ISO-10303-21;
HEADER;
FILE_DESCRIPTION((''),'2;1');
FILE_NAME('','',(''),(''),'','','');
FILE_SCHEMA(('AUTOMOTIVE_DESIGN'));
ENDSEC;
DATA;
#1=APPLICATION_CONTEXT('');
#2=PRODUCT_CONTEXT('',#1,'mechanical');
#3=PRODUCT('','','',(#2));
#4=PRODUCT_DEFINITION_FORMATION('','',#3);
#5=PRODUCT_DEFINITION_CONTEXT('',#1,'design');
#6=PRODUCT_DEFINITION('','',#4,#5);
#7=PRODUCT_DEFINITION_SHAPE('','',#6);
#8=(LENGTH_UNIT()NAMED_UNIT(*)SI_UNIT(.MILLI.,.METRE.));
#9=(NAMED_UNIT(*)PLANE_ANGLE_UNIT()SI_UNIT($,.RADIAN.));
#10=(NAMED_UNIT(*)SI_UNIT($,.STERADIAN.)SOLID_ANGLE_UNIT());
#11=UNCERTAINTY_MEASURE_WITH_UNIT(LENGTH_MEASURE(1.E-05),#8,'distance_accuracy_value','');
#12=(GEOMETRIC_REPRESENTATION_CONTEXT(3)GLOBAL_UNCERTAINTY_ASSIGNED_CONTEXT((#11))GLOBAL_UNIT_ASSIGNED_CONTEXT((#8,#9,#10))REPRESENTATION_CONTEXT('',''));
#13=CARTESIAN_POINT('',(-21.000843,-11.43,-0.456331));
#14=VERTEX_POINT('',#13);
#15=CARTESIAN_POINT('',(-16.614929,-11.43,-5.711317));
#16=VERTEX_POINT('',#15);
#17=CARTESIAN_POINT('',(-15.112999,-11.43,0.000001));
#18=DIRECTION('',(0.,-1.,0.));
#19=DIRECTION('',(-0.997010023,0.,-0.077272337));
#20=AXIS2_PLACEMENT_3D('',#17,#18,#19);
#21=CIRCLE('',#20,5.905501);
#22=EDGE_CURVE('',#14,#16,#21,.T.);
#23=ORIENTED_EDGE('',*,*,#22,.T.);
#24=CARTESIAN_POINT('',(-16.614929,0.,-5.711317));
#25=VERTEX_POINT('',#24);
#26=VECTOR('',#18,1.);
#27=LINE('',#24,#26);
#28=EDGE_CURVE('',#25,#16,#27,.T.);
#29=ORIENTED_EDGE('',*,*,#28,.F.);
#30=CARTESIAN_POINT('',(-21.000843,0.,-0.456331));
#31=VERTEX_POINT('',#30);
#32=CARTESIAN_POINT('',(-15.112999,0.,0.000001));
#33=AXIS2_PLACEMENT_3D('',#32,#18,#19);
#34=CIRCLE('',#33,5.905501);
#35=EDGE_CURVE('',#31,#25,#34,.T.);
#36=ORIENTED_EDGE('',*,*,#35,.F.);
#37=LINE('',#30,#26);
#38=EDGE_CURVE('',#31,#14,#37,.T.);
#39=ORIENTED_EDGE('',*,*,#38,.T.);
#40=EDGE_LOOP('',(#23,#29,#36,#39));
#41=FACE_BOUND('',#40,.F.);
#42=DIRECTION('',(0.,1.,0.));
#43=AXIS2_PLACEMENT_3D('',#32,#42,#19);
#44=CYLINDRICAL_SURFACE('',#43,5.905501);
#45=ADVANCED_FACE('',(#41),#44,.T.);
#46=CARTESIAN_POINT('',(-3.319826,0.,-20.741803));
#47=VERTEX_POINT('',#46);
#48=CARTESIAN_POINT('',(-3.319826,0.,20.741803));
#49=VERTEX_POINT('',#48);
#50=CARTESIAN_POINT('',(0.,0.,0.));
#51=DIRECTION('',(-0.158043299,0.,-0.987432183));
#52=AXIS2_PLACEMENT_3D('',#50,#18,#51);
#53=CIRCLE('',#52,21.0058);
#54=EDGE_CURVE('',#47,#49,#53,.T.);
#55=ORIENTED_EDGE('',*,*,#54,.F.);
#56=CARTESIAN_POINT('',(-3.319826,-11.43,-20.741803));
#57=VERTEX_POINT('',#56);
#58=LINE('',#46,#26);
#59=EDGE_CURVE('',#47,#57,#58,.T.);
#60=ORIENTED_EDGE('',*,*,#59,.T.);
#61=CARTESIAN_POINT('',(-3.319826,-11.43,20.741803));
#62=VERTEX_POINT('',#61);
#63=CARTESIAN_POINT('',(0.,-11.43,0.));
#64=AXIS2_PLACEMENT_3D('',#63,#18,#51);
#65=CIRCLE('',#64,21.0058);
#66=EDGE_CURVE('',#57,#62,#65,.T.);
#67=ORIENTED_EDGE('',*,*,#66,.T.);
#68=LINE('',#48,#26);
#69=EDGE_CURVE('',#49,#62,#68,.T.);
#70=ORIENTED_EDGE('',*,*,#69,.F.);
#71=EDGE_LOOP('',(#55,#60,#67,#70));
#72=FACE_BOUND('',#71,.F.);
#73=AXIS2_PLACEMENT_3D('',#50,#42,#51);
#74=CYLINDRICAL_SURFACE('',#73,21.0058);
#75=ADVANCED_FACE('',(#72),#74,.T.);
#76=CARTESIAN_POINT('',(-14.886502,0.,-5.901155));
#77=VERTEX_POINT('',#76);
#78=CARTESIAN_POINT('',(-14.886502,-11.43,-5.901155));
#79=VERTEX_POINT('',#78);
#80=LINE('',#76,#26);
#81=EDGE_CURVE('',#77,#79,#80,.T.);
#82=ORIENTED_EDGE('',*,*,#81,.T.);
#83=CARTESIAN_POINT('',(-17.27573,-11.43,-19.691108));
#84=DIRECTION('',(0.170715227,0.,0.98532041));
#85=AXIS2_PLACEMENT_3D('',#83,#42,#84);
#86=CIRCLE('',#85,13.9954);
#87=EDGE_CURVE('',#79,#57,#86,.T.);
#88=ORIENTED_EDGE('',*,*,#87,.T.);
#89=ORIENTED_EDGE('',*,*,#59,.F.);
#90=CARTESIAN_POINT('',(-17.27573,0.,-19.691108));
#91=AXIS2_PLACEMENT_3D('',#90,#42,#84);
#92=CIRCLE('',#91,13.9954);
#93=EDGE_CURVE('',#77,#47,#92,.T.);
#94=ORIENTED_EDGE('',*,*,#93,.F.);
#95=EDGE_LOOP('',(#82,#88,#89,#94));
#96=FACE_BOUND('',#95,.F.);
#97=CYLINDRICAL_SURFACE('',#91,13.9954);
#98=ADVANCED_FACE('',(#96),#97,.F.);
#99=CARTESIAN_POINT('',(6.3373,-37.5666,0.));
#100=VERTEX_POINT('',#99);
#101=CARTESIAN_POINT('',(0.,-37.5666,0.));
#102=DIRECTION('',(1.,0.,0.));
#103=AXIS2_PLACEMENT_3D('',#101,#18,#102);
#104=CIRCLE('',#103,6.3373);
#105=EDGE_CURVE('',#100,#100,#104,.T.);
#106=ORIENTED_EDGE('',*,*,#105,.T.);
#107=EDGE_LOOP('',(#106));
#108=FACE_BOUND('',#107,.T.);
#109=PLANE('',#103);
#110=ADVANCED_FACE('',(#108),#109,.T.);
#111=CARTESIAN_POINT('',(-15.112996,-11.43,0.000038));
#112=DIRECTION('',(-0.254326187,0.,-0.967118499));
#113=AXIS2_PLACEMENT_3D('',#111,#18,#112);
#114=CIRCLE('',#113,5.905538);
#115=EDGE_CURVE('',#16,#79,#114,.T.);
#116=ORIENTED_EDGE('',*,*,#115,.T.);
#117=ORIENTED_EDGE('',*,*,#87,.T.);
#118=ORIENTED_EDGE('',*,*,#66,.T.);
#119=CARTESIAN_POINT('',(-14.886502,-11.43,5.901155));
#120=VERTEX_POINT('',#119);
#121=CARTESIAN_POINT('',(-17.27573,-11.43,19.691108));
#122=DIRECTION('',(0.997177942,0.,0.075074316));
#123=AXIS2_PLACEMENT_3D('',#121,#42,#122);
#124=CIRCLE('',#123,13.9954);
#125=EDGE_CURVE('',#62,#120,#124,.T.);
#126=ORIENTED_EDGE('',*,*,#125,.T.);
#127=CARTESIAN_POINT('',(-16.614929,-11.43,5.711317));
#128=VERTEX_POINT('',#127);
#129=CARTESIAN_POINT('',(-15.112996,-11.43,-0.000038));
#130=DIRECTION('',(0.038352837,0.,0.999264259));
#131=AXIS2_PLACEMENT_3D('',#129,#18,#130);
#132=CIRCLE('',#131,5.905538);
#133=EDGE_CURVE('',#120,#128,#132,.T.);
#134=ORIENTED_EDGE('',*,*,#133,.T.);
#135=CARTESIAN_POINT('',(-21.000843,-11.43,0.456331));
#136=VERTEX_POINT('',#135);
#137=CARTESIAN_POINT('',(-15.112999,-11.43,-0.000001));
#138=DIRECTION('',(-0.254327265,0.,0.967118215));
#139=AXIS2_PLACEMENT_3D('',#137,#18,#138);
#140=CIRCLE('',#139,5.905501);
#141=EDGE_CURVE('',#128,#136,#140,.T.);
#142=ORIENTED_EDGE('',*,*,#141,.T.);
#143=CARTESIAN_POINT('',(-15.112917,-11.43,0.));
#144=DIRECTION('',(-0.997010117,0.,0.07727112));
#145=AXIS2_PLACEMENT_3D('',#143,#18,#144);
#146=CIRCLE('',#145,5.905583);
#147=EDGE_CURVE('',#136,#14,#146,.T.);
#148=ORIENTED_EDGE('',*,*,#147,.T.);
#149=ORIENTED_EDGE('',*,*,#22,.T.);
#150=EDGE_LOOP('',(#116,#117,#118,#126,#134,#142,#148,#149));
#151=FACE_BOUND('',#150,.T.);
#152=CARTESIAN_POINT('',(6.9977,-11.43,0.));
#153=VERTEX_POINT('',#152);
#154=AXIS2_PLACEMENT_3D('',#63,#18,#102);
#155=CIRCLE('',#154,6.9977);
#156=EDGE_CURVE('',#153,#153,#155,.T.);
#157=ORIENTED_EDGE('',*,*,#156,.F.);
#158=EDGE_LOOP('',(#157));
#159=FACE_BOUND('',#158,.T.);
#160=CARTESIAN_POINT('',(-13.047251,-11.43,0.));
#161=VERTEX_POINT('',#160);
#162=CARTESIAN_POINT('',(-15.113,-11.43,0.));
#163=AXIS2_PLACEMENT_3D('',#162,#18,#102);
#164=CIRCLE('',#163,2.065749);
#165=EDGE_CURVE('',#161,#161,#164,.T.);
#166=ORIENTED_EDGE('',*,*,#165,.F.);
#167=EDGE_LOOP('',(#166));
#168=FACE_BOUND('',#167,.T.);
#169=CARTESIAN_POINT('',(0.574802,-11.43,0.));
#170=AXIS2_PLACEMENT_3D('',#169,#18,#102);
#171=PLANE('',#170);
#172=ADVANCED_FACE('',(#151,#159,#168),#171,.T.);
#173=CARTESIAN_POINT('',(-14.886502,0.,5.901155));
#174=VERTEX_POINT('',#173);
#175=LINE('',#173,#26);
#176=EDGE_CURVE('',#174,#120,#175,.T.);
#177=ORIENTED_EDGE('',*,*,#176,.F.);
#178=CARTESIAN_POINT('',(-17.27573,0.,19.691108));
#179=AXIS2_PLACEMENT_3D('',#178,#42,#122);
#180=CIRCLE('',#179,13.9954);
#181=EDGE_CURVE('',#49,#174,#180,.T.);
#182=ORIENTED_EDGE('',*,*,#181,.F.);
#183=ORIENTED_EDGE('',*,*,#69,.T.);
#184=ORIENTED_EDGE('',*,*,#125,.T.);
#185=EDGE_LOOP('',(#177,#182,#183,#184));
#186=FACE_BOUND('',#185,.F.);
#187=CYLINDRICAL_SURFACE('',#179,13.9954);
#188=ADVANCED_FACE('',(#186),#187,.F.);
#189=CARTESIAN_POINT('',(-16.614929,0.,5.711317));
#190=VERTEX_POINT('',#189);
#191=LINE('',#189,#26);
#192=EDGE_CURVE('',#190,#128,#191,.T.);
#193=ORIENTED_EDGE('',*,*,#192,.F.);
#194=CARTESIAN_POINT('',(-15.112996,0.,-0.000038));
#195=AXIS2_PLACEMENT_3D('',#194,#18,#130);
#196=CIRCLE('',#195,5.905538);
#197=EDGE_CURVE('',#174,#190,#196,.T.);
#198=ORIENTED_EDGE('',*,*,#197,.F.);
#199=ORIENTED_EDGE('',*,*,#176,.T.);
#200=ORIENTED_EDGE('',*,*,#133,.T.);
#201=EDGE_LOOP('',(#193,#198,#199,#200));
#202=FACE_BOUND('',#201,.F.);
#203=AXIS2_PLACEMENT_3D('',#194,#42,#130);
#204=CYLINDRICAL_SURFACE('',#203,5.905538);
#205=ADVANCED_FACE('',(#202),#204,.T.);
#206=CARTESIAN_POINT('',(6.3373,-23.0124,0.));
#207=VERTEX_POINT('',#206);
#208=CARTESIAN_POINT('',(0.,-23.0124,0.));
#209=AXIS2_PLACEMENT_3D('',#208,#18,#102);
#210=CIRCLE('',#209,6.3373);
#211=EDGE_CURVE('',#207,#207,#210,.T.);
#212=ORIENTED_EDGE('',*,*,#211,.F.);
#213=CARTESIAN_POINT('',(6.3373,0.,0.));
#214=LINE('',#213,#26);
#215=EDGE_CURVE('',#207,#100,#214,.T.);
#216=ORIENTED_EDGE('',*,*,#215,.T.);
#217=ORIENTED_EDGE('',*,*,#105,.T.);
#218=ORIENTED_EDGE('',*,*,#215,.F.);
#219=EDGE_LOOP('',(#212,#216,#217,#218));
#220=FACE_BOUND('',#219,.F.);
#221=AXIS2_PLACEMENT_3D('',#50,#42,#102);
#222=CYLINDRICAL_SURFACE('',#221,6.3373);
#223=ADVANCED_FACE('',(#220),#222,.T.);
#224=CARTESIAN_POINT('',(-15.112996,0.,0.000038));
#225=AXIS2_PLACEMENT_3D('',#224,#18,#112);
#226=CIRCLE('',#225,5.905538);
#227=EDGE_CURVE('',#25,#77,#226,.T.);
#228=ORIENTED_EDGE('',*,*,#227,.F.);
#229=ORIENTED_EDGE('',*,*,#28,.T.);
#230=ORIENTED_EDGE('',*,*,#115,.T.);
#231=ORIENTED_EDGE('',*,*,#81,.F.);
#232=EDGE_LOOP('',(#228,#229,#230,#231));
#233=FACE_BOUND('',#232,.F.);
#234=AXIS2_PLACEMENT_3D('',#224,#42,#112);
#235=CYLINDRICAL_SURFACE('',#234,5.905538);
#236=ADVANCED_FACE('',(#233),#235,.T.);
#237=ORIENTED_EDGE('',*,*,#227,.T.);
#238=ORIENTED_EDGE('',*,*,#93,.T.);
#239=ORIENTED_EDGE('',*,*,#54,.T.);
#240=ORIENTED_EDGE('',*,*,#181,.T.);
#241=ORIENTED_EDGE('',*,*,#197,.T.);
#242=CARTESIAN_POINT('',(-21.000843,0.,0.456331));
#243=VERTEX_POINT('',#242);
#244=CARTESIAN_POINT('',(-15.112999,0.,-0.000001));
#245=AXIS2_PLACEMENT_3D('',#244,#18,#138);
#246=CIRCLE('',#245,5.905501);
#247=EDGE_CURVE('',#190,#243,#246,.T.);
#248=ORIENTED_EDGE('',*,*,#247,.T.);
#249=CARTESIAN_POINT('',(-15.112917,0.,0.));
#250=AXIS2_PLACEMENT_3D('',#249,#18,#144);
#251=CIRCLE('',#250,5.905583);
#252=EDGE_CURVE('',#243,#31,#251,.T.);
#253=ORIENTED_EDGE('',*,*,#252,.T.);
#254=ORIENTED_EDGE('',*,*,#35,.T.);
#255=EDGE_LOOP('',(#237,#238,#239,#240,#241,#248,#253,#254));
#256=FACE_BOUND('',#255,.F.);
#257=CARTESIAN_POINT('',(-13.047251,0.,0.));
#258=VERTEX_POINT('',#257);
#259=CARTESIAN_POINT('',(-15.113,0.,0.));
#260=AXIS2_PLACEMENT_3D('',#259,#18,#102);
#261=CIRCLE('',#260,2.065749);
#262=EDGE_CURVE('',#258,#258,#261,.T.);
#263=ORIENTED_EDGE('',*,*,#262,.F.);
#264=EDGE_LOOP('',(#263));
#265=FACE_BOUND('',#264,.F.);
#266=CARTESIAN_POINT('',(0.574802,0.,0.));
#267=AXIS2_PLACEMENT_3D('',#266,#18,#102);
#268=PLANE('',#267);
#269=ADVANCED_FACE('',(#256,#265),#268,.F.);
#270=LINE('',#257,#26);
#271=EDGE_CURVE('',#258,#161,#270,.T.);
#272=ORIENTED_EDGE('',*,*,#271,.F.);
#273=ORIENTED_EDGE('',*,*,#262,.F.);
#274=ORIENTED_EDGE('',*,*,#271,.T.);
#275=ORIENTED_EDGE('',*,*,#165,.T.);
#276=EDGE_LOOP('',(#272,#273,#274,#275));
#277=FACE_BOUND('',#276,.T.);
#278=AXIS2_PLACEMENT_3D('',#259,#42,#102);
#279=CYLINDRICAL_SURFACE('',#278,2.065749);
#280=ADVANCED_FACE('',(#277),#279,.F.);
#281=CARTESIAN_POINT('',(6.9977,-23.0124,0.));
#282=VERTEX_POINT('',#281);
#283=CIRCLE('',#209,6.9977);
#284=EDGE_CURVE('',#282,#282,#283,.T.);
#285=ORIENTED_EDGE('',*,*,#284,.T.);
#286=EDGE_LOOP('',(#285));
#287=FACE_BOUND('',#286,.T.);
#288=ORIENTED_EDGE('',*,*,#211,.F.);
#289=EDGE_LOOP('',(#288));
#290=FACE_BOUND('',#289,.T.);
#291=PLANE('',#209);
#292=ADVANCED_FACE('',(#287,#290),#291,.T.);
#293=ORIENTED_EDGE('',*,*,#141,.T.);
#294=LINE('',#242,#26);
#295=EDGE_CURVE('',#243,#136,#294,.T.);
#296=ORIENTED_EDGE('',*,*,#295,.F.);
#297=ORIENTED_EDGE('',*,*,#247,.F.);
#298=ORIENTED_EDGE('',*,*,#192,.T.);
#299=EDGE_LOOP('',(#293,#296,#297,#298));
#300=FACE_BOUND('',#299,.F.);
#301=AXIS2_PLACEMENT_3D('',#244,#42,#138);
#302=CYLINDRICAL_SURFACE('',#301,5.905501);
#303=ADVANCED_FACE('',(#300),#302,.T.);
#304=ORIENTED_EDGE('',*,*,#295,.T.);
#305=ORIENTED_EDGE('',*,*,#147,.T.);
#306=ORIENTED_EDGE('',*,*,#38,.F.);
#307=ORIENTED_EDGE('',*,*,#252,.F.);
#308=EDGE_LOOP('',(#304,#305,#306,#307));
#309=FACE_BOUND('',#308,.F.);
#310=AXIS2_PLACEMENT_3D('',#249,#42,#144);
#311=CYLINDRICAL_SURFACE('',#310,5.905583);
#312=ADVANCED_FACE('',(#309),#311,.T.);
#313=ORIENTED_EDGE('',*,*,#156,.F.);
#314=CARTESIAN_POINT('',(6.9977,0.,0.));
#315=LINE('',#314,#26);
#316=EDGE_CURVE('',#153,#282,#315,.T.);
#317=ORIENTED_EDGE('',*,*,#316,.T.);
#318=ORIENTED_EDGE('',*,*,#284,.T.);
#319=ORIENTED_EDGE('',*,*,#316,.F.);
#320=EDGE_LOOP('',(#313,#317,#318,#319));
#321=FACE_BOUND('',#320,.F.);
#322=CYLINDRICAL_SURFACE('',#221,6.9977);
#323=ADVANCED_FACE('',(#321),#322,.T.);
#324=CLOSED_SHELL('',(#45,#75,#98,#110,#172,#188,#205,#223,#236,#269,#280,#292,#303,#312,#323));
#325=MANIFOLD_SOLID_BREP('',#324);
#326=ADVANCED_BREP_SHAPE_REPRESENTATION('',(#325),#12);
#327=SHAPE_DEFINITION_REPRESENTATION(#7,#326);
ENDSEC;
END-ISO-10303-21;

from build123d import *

# Parameters (mm, degrees)
F0_R     = 2.065749
F0_R_2   = 6.9977
F1_DEPTH = 11.43
F0_R_3   = 6.3373
F2_DEPTH = 23.0124
F3_DEPTH = 37.5666


with BuildPart() as f1:
    # F0 (on Front) → F1 (new body)
    with BuildSketch(Plane.XZ):
        with BuildLine():
            ThreePointArc((-14.886502, -5.901155), (-6.237069, -11.087668), (-3.319826, -20.741803))
            ThreePointArc((-3.319826, -20.741803), (21.0058, 0), (-3.319826, 20.741803))
            ThreePointArc((-3.319826, 20.741803), (-6.237069, 11.087668), (-14.886502, 5.901155))
            ThreePointArc((-14.886502, 5.901155), (-15.747764, 5.779367), (-16.614929, 5.711317))
            ThreePointArc((-16.614929, 5.711317), (-19.646861, 3.78405), (-21.000843, 0.456331))
            ThreePointArc((-21.000843, 0.456331), (-21.0058, 0), (-21.000843, -0.456331))
            ThreePointArc((-21.000843, -0.456331), (-19.646861, -3.78405), (-16.614929, -5.711317))
            ThreePointArc((-16.614929, -5.711317), (-15.747764, -5.779367), (-14.886502, -5.901155))
        make_face()
        with Locations((-15.113, 0)):
            Circle(F0_R, mode=Mode.SUBTRACT)
        Circle(F0_R_2, mode=Mode.SUBTRACT)
        with BuildLine():
            ThreePointArc((-16.614929, -5.711317), (-15.757741, -5.870199), (-14.886502, -5.901155))
            ThreePointArc((-14.886502, -5.901155), (-15.747764, -5.779367), (-16.614929, -5.711317))
        make_face()
        with BuildLine():
            ThreePointArc((-16.614929, 5.711317), (-15.747764, 5.779367), (-14.886502, 5.901155))
            ThreePointArc((-14.886502, 5.901155), (-15.757741, 5.870199), (-16.614929, 5.711317))
        make_face()
        with BuildLine():
            ThreePointArc((-21.000843, 0.456331), (-21.0185, 0), (-21.000843, -0.456331))
            ThreePointArc((-21.000843, -0.456331), (-21.0058, 0), (-21.000843, 0.456331))
        make_face()
    extrude(amount=F1_DEPTH)

    # F0 (on Front) → F2 (join)
    with BuildSketch(Plane.XZ):
        Circle(F0_R_2)
        Circle(F0_R_3, mode=Mode.SUBTRACT)
    extrude(amount=F2_DEPTH)

    # F0 (on Front) → F3 (join)
    with BuildSketch(Plane.XZ):
        Circle(F0_R_3)
    extrude(amount=F3_DEPTH)


solid = f1.part
